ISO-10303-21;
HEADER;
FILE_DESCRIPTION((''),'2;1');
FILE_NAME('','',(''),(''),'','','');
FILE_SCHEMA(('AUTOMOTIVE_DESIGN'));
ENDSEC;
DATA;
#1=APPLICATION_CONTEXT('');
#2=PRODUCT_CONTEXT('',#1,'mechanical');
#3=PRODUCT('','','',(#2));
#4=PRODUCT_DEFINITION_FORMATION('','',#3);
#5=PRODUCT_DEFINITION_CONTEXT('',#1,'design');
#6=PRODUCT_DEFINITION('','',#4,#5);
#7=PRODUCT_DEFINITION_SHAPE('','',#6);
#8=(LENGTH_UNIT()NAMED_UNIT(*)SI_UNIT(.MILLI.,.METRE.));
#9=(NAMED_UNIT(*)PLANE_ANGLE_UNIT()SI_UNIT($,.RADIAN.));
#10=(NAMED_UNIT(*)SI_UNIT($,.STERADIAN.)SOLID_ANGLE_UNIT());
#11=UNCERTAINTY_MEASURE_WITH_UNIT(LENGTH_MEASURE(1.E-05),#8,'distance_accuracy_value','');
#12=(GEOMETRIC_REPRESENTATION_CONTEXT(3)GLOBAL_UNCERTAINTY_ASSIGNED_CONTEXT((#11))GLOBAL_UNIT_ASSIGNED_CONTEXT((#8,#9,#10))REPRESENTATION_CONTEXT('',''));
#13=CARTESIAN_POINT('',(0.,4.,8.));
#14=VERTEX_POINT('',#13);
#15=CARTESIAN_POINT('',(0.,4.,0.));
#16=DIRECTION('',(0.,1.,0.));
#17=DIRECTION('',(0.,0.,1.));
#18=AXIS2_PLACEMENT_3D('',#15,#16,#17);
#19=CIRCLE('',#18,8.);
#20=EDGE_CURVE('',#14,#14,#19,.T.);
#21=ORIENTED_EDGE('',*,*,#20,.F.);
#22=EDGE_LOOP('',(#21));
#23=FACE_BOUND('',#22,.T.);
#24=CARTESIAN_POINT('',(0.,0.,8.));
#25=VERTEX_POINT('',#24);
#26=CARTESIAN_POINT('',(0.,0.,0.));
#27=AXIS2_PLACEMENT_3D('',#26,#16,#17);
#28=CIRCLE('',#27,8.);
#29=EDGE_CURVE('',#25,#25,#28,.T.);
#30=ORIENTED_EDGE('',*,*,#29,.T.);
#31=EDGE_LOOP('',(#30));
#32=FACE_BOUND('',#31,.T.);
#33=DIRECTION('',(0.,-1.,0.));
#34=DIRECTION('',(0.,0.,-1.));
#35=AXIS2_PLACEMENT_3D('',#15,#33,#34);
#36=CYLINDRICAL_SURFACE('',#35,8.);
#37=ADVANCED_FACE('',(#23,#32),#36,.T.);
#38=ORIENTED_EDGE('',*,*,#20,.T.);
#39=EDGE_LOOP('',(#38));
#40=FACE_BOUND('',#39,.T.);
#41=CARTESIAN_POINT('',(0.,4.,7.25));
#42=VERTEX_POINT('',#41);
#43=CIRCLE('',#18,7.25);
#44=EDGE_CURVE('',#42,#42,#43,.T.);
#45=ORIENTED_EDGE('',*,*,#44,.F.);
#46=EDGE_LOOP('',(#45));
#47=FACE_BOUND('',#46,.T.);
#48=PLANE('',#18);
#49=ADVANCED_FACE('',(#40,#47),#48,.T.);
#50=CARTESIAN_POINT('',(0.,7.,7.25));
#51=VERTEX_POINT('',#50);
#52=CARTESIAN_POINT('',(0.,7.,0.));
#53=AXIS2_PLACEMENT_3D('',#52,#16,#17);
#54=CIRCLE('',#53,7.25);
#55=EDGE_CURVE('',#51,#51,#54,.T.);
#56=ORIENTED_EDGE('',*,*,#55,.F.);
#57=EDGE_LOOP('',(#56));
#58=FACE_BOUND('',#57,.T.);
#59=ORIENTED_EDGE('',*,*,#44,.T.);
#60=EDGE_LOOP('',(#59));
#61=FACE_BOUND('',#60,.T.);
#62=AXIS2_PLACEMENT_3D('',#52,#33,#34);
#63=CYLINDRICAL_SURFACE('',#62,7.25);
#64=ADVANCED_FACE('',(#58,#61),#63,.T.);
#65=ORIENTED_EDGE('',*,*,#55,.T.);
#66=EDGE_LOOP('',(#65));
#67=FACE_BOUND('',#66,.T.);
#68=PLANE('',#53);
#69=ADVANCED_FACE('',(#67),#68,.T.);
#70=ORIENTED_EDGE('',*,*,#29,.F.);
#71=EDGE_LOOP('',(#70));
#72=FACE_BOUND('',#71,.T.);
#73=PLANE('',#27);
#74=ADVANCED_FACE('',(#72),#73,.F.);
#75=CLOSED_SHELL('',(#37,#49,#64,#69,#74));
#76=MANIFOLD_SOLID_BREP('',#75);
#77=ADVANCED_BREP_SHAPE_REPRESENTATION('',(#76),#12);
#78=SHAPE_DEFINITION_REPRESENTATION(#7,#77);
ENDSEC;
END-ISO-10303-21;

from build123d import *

# Parameters (mm, degrees)
SZKIC1_R                    = 8
DODANIE_WYCI_GNI_CIE2_DEPTH = 4
SZKIC2_R                    = 7.25
DODANIE_WYCI_GNI_CIE4_DEPTH = 3


with BuildPart() as part:
    # Szkic1 → Dodanie-wyciągnięcie2 (new body)
    with BuildSketch(Plane(origin=(0, 0, 0), x_dir=(1, 0, 0), z_dir=(0, 1, 0))):
        Circle(SZKIC1_R)
    extrude(amount=DODANIE_WYCI_GNI_CIE2_DEPTH)

    # Szkic2 → Dodanie-wyciągnięcie4 (add)
    with BuildSketch(Plane(origin=(0, 4, 0), x_dir=(1, 0, 0), z_dir=(0, 1, 0))):
        Circle(SZKIC2_R)
    extrude(amount=DODANIE_WYCI_GNI_CIE4_DEPTH)


solid = part.part
